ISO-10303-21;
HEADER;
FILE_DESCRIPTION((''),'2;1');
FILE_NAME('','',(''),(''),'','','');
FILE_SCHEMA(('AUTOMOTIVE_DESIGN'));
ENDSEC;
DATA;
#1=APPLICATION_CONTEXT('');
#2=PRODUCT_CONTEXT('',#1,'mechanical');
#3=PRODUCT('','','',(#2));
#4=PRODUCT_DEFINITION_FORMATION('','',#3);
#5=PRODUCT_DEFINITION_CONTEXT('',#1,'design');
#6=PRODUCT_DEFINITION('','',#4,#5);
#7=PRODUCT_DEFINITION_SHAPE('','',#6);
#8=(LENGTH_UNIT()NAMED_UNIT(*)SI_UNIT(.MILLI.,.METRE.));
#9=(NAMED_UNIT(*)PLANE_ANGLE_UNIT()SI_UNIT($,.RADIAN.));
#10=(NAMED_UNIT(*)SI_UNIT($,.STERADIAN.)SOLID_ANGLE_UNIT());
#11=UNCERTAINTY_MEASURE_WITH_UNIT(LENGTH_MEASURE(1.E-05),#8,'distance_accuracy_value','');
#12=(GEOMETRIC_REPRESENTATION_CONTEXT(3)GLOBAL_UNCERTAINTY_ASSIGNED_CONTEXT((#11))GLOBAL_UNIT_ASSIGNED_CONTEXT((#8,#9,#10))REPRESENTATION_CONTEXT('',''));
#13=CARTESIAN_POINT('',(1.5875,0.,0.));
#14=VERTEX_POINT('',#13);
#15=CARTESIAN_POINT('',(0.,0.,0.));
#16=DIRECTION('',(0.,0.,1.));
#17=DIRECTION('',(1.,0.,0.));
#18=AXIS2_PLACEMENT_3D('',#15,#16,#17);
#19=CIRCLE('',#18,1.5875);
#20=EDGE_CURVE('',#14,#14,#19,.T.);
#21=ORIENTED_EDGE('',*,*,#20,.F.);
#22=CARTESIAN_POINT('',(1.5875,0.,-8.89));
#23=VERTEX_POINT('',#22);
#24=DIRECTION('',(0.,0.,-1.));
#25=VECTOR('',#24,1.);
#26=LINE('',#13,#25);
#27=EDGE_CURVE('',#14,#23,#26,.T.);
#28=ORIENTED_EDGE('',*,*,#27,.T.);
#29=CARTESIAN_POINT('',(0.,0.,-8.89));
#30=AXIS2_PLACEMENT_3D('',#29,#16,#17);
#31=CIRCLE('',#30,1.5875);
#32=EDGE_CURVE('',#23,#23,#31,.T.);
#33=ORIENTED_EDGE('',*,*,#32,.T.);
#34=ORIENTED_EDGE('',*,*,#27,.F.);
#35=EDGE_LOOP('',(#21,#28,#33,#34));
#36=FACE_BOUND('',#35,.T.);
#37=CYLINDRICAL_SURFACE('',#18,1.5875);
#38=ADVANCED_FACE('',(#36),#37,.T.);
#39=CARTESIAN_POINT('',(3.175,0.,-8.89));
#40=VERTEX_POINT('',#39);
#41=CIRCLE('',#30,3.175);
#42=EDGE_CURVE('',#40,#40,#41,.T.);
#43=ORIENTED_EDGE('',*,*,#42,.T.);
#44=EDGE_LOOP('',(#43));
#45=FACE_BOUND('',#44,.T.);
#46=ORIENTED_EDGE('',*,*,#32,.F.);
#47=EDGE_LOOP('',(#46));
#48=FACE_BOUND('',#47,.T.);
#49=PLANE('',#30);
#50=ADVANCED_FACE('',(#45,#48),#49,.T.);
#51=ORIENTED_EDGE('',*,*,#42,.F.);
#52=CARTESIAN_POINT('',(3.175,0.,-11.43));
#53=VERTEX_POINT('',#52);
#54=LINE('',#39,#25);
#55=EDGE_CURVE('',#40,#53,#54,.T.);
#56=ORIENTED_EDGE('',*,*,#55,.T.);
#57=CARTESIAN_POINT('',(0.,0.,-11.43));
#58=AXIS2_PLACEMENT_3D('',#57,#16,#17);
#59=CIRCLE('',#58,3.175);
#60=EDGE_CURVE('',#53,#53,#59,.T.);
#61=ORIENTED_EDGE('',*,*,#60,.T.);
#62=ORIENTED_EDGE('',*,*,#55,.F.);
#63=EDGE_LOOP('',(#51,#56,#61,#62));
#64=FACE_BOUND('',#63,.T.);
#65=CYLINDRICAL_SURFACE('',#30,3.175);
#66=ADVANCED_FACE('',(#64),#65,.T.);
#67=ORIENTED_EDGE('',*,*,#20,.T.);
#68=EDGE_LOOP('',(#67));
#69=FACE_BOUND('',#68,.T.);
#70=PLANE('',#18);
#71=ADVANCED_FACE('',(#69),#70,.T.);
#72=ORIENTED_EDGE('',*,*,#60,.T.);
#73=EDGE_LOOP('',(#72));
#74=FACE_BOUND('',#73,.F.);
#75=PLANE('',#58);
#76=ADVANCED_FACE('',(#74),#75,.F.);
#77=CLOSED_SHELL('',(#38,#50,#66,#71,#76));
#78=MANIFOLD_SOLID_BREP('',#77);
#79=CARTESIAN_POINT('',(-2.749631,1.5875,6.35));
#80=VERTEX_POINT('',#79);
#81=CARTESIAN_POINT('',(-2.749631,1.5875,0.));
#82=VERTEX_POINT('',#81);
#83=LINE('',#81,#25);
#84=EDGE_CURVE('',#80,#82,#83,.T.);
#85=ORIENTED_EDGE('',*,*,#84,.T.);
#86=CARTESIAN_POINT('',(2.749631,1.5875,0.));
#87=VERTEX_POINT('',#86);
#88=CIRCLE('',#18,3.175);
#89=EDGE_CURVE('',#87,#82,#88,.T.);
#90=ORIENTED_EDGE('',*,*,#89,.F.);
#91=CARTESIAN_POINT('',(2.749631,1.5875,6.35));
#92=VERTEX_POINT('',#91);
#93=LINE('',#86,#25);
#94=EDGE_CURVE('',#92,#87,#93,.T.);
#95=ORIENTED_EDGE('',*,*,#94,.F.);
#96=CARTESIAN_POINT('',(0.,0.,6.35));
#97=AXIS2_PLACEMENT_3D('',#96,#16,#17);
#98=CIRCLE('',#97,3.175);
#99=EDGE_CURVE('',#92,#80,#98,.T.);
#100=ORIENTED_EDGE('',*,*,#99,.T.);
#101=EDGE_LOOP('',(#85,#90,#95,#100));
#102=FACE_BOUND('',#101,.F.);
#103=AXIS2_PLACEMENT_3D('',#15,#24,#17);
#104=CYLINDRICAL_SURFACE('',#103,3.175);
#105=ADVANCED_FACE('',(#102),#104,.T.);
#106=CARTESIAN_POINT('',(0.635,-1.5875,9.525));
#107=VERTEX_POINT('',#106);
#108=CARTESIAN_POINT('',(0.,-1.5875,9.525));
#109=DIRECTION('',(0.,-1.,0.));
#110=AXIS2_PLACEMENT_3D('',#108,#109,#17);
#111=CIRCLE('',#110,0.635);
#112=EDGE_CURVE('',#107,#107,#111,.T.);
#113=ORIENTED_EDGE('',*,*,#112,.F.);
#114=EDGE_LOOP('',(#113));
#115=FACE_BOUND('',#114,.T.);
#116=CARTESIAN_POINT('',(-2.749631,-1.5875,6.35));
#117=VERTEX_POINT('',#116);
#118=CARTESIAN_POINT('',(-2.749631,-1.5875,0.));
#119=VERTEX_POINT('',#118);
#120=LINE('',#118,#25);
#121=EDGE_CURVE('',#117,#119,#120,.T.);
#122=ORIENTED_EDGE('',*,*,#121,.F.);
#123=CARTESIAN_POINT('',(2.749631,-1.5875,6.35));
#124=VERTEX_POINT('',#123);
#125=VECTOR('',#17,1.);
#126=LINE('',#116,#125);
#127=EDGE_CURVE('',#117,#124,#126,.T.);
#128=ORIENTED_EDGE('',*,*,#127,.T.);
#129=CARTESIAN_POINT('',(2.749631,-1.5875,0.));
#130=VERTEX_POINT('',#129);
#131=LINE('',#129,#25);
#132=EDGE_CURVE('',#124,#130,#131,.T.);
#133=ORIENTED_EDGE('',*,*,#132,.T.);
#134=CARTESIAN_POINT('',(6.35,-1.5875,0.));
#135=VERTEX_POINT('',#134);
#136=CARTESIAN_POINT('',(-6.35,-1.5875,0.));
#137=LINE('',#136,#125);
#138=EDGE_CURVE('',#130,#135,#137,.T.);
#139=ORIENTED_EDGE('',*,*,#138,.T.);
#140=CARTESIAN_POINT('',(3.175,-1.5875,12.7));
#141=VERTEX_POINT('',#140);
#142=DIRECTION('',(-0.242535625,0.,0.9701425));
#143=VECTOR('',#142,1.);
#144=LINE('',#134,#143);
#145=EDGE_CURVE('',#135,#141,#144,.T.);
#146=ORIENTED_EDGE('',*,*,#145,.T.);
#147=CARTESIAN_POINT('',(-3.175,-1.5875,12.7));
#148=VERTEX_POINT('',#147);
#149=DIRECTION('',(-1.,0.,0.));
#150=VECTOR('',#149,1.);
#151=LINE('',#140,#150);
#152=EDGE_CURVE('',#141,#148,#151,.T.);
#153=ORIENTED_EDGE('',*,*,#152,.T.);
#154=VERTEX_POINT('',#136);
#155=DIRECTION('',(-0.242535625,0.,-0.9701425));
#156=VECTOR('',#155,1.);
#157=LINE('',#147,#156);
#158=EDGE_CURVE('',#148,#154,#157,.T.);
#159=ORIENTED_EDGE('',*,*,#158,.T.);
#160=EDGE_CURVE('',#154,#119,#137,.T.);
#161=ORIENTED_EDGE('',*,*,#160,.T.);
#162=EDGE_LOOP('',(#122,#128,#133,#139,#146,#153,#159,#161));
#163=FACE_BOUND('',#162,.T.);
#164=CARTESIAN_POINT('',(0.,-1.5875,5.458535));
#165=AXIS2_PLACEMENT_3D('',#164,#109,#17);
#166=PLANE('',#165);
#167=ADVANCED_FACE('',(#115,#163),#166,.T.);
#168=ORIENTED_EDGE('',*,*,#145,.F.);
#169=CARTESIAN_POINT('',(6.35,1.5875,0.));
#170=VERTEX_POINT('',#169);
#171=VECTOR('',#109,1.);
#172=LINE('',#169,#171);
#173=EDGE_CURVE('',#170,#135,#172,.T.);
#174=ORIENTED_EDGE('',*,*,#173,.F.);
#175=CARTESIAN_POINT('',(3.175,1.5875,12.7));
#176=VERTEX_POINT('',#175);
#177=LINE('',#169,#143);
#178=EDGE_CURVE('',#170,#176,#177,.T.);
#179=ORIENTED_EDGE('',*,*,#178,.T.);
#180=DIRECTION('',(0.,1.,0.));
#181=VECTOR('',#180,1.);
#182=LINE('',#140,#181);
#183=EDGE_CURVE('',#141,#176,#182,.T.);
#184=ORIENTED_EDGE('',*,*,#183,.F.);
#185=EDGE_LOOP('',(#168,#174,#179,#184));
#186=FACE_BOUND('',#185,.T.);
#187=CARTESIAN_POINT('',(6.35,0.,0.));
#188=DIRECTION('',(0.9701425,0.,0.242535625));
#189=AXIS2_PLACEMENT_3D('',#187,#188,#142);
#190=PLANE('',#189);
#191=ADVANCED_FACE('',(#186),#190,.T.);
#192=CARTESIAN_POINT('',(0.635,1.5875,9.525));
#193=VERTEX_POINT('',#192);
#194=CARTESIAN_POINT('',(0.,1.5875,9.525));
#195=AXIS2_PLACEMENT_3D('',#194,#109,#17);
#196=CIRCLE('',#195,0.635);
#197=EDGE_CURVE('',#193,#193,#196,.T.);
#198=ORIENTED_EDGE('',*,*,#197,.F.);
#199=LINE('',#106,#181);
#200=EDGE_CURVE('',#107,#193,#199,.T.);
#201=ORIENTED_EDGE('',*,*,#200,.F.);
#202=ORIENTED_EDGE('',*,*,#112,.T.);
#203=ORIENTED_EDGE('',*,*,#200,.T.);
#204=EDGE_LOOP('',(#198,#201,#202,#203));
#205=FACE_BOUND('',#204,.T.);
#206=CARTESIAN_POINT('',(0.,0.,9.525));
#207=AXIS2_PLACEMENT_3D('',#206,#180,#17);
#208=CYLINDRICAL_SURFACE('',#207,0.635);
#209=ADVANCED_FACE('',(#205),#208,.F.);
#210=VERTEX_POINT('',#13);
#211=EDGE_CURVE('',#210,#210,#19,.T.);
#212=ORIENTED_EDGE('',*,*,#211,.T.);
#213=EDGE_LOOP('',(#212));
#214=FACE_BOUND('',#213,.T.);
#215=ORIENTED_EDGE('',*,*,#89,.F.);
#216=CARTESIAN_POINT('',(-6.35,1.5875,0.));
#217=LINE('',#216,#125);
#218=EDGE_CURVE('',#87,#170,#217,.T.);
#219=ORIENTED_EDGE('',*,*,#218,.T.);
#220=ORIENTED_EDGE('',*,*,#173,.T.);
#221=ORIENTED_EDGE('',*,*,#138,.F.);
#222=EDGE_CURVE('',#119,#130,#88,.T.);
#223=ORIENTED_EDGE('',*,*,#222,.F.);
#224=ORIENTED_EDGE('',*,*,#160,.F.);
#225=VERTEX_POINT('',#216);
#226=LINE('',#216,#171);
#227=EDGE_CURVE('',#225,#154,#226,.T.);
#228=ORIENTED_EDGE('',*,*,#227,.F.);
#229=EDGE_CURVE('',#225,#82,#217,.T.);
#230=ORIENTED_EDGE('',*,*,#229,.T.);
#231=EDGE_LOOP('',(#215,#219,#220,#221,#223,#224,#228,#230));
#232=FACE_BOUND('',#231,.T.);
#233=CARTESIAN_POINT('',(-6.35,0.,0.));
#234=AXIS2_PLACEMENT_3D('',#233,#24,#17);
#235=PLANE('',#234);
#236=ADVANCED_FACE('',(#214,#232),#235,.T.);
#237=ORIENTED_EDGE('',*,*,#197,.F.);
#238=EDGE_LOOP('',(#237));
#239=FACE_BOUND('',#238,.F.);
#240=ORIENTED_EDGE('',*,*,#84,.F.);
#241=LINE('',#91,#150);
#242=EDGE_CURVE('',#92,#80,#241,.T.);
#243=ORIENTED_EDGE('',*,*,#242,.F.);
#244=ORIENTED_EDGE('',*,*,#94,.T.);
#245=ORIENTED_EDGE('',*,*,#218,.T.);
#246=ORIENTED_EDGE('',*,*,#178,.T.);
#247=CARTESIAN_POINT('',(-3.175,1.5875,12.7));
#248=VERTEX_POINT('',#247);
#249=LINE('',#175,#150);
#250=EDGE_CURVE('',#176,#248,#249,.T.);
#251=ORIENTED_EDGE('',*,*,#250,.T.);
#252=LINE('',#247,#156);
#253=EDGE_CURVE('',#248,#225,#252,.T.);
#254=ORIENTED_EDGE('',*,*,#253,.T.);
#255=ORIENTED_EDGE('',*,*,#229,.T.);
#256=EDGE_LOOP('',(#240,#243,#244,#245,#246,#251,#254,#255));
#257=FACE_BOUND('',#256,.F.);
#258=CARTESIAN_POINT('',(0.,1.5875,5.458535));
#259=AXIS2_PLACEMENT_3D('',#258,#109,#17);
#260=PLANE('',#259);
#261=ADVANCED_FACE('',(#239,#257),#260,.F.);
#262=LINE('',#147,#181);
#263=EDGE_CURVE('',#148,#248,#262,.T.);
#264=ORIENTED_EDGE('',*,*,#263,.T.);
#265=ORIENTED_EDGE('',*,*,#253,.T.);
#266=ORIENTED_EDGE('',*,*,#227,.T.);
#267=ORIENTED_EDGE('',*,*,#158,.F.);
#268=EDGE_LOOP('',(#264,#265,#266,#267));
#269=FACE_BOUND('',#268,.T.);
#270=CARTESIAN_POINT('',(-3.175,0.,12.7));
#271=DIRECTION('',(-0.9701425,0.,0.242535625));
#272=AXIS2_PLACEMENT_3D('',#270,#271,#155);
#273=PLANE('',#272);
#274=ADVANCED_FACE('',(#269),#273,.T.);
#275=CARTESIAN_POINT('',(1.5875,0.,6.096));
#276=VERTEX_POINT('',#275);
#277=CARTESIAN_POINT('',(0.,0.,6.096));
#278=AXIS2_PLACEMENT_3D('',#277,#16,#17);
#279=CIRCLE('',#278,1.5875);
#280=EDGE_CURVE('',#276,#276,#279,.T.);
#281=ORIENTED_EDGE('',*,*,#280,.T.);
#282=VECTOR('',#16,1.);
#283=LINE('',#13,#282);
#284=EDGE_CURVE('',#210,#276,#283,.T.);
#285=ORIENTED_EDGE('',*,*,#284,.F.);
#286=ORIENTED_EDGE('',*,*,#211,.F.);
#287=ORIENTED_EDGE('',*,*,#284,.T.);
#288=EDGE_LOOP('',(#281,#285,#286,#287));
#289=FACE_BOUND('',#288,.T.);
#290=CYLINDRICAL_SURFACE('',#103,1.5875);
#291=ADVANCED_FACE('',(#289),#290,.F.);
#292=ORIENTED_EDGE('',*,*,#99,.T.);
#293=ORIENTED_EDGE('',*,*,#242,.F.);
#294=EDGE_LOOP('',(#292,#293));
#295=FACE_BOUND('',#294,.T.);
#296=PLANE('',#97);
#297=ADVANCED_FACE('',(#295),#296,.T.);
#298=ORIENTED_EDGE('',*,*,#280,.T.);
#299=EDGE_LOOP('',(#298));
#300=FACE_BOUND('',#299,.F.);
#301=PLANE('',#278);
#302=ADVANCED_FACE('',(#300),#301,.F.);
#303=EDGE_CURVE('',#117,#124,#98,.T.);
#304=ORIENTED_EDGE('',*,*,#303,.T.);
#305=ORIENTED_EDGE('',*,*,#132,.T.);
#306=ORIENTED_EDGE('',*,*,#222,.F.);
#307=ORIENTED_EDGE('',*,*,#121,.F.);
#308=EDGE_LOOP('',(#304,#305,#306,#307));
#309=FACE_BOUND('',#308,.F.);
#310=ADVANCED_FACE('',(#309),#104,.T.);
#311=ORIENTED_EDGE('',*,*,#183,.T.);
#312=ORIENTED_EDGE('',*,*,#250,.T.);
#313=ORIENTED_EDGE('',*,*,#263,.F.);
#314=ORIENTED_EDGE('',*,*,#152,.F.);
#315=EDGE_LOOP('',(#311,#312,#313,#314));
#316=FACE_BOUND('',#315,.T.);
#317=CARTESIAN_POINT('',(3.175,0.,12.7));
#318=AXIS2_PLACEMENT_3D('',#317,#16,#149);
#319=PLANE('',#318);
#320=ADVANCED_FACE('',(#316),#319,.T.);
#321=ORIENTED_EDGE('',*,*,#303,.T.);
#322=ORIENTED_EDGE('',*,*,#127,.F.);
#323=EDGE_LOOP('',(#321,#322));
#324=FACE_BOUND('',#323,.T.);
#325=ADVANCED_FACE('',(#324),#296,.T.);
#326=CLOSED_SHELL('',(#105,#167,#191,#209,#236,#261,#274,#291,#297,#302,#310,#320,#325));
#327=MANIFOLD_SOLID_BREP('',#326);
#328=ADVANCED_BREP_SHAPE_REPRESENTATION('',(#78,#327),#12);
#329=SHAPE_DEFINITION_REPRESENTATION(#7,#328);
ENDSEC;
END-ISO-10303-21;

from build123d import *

# Parameters (mm, degrees)
F0_R          = 0.635
F1_DEPTH      = 1.5875
F1_DEPTH_BACK = 1.5875
F2_R          = 3.175
F2_R_2        = 1.5875
F3_DEPTH      = 6.35
F4_DEPTH      = 6.096
F5_DEPTH      = 11.43
F6_START      = -8.89
F6_DEPTH      = 2.54


with BuildPart() as f1:
    # F0 (on Front) → F1 (new body, two sides)
    with BuildSketch(Plane.XZ) as f1_sk:
        Polygon((-3.175, 12.7), (-6.35, 0), (6.35, 0), (3.175, 12.7), align=None)
        with Locations((0, 9.525)):
            Circle(F0_R, mode=Mode.SUBTRACT)
    extrude(amount=F1_DEPTH)
    extrude(f1_sk.sketch, amount=-F1_DEPTH_BACK)

    # F2 (on Top) → F3 (join)
    with BuildSketch(Plane.XY):
        Circle(F2_R)
        Circle(F2_R_2, mode=Mode.SUBTRACT)
    extrude(amount=F3_DEPTH)

    # F2 (on Top) → F4 (cut)
    with BuildSketch(Plane.XY):
        Circle(F2_R_2)
    extrude(amount=F4_DEPTH, mode=Mode.SUBTRACT)


with BuildPart() as f5:
    # F2 (on Top) → F5 (new body)
    with BuildSketch(Plane.XY):
        Circle(F2_R_2)
    extrude(amount=-F5_DEPTH)

    # F2 (on Top) → F6 (join)
    with BuildSketch(Plane.XY.offset(F6_START)):
        Circle(F2_R)
        Circle(F2_R_2, mode=Mode.SUBTRACT)
    extrude(amount=-F6_DEPTH)


solid = Compound([f1.part, f5.part])
